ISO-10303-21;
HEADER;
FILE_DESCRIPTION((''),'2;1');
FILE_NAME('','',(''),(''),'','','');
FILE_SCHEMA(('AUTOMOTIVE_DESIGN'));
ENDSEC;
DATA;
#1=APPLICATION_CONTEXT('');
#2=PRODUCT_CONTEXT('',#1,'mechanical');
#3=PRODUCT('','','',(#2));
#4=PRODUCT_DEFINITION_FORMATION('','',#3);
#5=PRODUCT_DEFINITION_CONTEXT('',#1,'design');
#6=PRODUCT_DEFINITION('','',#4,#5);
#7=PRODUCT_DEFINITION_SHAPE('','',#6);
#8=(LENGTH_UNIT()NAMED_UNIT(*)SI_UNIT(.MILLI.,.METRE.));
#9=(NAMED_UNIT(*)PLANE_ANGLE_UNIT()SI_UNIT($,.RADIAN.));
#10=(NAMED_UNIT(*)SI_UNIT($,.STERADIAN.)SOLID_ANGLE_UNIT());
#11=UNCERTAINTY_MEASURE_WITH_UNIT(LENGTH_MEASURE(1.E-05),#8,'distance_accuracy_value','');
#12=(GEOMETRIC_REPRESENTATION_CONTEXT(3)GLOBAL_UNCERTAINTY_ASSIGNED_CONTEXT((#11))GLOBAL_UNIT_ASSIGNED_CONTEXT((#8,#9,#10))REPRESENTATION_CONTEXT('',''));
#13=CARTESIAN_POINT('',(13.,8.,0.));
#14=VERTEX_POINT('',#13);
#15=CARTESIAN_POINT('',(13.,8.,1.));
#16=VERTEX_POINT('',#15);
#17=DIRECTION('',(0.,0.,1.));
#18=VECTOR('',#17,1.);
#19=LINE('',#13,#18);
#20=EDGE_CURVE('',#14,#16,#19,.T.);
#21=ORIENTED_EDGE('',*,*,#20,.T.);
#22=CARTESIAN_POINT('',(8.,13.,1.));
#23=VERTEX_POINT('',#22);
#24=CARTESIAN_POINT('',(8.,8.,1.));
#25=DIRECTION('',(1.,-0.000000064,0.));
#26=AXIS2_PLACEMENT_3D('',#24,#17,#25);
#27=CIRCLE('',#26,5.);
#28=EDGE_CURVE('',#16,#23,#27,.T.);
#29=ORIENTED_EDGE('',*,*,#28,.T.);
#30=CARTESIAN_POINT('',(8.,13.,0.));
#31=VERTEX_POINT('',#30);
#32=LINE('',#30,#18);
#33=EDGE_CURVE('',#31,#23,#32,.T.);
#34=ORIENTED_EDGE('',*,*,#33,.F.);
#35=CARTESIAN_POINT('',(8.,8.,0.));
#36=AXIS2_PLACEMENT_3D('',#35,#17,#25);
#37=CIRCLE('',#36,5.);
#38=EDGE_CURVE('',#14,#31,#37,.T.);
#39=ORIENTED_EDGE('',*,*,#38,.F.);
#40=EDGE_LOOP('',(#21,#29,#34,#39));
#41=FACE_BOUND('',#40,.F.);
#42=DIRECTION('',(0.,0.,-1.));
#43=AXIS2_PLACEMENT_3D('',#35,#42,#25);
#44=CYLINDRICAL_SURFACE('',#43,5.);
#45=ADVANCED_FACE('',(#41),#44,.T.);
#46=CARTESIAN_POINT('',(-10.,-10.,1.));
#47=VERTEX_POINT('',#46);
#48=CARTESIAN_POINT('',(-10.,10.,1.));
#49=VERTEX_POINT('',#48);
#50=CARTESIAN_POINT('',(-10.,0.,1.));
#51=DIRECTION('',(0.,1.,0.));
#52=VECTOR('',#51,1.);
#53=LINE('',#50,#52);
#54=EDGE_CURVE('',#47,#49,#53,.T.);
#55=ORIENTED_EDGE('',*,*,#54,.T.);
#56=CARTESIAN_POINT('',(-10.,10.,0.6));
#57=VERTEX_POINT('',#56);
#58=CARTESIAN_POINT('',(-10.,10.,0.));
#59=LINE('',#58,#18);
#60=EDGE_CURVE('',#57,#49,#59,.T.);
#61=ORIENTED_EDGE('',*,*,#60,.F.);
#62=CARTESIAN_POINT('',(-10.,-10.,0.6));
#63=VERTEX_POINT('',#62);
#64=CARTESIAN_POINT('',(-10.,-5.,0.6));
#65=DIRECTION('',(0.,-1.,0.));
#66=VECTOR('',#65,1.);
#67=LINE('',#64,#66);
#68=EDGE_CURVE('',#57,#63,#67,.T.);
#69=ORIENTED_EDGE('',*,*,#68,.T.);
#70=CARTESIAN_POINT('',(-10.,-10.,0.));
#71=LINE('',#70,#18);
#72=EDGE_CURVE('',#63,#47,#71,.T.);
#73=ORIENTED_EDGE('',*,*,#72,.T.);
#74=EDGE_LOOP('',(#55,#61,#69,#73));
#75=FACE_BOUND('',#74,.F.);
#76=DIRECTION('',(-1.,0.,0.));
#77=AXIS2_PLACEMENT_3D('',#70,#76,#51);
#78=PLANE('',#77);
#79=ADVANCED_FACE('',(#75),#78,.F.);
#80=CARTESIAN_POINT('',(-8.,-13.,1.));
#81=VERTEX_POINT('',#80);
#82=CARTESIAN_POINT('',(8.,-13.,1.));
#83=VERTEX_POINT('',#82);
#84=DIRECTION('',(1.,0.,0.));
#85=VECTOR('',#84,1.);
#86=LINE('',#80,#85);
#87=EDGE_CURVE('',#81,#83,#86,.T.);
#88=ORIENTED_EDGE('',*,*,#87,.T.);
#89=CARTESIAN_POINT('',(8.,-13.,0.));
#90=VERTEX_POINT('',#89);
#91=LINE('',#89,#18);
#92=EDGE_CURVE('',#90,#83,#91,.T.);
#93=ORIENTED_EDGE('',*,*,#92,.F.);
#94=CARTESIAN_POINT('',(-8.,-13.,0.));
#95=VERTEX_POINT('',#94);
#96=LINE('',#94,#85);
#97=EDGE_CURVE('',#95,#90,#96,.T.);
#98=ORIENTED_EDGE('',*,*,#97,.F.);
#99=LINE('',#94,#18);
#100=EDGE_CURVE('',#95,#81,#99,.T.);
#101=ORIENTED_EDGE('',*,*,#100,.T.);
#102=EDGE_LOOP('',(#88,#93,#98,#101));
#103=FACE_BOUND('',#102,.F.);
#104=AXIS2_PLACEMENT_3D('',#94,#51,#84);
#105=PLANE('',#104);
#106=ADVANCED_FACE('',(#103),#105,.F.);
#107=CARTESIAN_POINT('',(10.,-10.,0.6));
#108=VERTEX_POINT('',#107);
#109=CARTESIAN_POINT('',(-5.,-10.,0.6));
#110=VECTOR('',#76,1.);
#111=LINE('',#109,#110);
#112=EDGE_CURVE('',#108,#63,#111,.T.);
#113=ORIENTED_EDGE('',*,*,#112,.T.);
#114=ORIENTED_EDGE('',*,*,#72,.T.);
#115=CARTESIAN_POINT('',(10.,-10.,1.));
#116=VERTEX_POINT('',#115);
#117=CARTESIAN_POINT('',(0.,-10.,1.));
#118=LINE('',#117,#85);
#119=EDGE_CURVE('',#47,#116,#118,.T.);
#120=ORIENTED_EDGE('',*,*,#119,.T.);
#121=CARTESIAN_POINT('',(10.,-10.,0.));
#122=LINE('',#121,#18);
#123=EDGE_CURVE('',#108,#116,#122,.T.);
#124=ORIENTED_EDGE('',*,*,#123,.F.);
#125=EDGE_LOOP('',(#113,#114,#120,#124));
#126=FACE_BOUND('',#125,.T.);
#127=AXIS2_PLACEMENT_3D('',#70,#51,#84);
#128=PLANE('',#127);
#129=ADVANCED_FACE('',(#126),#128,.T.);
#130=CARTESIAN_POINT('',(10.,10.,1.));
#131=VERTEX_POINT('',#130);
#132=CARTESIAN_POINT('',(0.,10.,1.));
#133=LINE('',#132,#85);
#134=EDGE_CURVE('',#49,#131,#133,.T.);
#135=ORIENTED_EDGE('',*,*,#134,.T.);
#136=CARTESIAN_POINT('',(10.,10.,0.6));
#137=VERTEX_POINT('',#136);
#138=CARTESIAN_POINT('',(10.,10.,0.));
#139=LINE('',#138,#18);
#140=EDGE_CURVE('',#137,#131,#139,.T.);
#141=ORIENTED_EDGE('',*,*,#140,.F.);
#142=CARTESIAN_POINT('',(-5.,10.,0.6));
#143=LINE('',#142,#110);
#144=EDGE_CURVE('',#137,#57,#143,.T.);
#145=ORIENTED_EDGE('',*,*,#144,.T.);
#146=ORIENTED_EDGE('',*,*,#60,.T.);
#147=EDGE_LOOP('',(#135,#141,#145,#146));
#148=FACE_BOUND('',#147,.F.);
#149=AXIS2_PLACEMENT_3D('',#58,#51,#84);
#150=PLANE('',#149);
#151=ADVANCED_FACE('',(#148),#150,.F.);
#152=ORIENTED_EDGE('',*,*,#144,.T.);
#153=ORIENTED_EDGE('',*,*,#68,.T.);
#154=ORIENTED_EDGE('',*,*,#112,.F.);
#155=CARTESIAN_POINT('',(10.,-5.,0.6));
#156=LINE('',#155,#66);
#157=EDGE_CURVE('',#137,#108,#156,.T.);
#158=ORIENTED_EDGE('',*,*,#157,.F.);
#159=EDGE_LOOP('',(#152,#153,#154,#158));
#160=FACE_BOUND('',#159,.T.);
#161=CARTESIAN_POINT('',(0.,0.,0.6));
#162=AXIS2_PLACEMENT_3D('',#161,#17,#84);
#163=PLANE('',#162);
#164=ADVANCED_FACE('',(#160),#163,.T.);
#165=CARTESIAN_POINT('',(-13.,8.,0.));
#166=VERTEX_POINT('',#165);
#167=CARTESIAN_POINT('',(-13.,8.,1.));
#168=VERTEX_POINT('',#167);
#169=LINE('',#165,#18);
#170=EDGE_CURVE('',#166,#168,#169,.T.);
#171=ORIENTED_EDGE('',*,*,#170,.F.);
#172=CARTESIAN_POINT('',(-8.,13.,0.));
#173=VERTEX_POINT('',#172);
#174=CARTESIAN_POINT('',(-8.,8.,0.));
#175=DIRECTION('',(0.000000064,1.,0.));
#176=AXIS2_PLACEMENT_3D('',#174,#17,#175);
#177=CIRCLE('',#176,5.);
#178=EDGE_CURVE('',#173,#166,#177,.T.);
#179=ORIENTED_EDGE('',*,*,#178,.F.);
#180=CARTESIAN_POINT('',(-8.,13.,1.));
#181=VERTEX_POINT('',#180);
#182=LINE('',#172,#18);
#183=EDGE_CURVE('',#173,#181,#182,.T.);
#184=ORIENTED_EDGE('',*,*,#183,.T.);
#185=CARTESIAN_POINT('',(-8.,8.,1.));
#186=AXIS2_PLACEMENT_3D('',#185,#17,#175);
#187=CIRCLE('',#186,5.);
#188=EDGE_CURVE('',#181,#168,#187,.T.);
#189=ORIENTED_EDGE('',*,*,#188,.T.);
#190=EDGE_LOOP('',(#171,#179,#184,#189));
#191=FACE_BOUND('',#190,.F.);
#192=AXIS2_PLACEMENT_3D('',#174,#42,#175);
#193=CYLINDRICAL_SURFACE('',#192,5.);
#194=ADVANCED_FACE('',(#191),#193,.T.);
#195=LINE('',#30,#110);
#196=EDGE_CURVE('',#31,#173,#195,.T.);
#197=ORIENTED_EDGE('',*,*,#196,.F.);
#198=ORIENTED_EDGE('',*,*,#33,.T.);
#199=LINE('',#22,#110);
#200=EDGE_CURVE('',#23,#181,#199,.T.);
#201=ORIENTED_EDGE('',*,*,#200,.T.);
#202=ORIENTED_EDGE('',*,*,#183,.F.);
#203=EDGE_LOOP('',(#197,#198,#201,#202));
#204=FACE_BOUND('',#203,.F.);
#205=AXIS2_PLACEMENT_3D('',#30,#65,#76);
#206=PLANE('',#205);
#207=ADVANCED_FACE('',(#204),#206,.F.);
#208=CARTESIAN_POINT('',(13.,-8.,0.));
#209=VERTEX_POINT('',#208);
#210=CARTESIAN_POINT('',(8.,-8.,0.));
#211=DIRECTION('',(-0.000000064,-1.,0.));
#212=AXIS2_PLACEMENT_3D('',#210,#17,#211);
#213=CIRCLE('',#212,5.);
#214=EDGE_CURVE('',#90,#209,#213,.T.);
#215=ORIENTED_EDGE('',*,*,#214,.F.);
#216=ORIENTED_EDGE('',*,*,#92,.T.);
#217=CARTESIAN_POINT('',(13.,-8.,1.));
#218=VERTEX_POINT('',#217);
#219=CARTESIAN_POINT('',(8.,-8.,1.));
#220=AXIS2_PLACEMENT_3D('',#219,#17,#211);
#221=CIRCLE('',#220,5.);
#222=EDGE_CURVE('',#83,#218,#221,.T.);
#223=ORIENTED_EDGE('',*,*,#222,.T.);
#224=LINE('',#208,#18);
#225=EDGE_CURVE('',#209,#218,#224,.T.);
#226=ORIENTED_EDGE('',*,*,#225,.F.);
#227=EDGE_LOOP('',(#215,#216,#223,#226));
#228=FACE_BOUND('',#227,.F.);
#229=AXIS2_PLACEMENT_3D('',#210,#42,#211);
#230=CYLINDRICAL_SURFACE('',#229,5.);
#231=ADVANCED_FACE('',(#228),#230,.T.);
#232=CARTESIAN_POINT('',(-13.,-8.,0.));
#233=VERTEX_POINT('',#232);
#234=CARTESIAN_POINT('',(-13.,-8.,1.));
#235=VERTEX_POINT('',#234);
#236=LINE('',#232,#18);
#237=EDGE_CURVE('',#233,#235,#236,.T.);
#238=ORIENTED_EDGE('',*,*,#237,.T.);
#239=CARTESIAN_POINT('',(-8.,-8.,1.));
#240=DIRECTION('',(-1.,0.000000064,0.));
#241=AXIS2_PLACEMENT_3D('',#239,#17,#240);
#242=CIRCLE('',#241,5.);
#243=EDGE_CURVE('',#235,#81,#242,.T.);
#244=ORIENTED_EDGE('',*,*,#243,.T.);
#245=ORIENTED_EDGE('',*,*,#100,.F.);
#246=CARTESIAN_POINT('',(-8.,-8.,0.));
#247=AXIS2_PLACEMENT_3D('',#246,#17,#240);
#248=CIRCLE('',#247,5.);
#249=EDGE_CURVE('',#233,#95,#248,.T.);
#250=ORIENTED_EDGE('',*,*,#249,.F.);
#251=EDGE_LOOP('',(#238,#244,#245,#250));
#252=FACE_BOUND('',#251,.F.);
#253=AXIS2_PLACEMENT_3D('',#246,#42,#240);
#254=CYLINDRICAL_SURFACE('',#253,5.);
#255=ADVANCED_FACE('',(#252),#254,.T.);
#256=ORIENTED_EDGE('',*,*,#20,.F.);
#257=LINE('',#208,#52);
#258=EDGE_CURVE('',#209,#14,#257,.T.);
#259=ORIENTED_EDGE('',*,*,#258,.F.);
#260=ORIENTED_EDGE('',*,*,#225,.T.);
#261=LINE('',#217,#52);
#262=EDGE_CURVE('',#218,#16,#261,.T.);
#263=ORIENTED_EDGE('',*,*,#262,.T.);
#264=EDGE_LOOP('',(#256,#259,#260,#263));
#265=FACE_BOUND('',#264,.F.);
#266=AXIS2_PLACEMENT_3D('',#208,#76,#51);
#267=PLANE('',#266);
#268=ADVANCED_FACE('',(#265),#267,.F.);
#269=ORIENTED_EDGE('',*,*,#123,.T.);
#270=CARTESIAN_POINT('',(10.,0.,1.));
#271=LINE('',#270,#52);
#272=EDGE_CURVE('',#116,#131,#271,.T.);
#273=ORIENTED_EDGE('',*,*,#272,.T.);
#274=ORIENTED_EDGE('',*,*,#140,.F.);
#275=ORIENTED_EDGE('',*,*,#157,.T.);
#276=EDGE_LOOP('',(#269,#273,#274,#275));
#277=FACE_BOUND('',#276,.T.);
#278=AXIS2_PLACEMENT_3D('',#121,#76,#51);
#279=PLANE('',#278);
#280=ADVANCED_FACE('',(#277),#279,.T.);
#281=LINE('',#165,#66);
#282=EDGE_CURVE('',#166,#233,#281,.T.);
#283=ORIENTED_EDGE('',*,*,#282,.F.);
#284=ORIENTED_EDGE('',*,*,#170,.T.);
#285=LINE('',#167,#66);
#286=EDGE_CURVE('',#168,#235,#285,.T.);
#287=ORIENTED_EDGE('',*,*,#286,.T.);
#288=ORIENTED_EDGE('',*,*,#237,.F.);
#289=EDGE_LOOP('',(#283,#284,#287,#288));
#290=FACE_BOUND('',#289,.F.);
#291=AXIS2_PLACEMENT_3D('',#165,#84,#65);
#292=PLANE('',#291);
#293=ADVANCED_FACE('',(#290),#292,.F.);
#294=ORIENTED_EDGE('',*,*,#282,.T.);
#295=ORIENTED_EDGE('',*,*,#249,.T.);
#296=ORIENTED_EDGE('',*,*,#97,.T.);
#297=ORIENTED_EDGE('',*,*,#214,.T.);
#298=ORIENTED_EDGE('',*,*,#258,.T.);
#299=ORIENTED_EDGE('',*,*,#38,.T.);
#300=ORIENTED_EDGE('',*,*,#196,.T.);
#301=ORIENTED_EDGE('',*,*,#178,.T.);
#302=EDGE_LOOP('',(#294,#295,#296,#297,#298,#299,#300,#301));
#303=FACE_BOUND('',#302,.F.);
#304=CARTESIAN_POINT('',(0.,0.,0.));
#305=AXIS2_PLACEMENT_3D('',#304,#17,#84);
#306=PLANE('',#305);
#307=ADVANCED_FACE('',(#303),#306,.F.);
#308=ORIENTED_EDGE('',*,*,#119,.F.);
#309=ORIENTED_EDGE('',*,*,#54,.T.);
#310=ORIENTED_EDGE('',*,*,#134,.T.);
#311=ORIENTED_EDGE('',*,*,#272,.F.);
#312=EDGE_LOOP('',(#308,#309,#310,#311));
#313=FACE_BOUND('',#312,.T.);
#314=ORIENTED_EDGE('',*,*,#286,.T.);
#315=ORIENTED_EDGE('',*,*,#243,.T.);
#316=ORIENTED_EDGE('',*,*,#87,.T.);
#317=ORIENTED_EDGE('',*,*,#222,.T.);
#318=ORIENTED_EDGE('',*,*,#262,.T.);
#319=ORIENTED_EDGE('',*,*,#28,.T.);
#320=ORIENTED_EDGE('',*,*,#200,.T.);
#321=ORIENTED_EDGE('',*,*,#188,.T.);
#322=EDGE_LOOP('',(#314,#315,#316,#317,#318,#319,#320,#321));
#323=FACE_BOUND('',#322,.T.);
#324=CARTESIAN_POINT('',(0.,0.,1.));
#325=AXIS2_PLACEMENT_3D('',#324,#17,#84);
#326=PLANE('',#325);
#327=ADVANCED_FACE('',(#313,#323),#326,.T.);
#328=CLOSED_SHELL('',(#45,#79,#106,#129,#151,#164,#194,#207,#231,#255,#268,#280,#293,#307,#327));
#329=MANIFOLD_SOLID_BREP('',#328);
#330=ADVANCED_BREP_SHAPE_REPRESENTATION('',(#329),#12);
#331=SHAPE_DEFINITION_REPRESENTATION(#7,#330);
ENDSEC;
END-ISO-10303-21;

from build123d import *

# Parameters (mm, degrees)
F0_W     = 22
F0_H     = 22
F1_DEPTH = 0.6
F2_W     = 20
F2_H     = 20
F3_DEPTH = 1


with BuildPart() as f1:
    # F0 (on Top) → F1 (new body)
    with BuildSketch(Plane.XY):
        Rectangle(F0_W, F0_H)
    extrude(amount=F1_DEPTH)

    # F2 (on Top) → F3 (join)
    with BuildSketch(Plane.XY):
        with BuildLine():
            ThreePointArc((13, 8), (11.535534, 11.535534), (8, 13))
            Line((8, 13), (-8, 13))
            ThreePointArc((-8, 13), (-11.535534, 11.535534), (-13, 8))
            Line((-13, 8), (-13, -8))
            ThreePointArc((-13, -8), (-11.535534, -11.535534), (-8, -13))
            Line((-8, -13), (8, -13))
            ThreePointArc((8, -13), (11.535534, -11.535534), (13, -8))
            Line((13, -8), (13, 8))
        make_face()
        Rectangle(F2_W, F2_H, mode=Mode.SUBTRACT)
    extrude(amount=F3_DEPTH)


solid = f1.part
